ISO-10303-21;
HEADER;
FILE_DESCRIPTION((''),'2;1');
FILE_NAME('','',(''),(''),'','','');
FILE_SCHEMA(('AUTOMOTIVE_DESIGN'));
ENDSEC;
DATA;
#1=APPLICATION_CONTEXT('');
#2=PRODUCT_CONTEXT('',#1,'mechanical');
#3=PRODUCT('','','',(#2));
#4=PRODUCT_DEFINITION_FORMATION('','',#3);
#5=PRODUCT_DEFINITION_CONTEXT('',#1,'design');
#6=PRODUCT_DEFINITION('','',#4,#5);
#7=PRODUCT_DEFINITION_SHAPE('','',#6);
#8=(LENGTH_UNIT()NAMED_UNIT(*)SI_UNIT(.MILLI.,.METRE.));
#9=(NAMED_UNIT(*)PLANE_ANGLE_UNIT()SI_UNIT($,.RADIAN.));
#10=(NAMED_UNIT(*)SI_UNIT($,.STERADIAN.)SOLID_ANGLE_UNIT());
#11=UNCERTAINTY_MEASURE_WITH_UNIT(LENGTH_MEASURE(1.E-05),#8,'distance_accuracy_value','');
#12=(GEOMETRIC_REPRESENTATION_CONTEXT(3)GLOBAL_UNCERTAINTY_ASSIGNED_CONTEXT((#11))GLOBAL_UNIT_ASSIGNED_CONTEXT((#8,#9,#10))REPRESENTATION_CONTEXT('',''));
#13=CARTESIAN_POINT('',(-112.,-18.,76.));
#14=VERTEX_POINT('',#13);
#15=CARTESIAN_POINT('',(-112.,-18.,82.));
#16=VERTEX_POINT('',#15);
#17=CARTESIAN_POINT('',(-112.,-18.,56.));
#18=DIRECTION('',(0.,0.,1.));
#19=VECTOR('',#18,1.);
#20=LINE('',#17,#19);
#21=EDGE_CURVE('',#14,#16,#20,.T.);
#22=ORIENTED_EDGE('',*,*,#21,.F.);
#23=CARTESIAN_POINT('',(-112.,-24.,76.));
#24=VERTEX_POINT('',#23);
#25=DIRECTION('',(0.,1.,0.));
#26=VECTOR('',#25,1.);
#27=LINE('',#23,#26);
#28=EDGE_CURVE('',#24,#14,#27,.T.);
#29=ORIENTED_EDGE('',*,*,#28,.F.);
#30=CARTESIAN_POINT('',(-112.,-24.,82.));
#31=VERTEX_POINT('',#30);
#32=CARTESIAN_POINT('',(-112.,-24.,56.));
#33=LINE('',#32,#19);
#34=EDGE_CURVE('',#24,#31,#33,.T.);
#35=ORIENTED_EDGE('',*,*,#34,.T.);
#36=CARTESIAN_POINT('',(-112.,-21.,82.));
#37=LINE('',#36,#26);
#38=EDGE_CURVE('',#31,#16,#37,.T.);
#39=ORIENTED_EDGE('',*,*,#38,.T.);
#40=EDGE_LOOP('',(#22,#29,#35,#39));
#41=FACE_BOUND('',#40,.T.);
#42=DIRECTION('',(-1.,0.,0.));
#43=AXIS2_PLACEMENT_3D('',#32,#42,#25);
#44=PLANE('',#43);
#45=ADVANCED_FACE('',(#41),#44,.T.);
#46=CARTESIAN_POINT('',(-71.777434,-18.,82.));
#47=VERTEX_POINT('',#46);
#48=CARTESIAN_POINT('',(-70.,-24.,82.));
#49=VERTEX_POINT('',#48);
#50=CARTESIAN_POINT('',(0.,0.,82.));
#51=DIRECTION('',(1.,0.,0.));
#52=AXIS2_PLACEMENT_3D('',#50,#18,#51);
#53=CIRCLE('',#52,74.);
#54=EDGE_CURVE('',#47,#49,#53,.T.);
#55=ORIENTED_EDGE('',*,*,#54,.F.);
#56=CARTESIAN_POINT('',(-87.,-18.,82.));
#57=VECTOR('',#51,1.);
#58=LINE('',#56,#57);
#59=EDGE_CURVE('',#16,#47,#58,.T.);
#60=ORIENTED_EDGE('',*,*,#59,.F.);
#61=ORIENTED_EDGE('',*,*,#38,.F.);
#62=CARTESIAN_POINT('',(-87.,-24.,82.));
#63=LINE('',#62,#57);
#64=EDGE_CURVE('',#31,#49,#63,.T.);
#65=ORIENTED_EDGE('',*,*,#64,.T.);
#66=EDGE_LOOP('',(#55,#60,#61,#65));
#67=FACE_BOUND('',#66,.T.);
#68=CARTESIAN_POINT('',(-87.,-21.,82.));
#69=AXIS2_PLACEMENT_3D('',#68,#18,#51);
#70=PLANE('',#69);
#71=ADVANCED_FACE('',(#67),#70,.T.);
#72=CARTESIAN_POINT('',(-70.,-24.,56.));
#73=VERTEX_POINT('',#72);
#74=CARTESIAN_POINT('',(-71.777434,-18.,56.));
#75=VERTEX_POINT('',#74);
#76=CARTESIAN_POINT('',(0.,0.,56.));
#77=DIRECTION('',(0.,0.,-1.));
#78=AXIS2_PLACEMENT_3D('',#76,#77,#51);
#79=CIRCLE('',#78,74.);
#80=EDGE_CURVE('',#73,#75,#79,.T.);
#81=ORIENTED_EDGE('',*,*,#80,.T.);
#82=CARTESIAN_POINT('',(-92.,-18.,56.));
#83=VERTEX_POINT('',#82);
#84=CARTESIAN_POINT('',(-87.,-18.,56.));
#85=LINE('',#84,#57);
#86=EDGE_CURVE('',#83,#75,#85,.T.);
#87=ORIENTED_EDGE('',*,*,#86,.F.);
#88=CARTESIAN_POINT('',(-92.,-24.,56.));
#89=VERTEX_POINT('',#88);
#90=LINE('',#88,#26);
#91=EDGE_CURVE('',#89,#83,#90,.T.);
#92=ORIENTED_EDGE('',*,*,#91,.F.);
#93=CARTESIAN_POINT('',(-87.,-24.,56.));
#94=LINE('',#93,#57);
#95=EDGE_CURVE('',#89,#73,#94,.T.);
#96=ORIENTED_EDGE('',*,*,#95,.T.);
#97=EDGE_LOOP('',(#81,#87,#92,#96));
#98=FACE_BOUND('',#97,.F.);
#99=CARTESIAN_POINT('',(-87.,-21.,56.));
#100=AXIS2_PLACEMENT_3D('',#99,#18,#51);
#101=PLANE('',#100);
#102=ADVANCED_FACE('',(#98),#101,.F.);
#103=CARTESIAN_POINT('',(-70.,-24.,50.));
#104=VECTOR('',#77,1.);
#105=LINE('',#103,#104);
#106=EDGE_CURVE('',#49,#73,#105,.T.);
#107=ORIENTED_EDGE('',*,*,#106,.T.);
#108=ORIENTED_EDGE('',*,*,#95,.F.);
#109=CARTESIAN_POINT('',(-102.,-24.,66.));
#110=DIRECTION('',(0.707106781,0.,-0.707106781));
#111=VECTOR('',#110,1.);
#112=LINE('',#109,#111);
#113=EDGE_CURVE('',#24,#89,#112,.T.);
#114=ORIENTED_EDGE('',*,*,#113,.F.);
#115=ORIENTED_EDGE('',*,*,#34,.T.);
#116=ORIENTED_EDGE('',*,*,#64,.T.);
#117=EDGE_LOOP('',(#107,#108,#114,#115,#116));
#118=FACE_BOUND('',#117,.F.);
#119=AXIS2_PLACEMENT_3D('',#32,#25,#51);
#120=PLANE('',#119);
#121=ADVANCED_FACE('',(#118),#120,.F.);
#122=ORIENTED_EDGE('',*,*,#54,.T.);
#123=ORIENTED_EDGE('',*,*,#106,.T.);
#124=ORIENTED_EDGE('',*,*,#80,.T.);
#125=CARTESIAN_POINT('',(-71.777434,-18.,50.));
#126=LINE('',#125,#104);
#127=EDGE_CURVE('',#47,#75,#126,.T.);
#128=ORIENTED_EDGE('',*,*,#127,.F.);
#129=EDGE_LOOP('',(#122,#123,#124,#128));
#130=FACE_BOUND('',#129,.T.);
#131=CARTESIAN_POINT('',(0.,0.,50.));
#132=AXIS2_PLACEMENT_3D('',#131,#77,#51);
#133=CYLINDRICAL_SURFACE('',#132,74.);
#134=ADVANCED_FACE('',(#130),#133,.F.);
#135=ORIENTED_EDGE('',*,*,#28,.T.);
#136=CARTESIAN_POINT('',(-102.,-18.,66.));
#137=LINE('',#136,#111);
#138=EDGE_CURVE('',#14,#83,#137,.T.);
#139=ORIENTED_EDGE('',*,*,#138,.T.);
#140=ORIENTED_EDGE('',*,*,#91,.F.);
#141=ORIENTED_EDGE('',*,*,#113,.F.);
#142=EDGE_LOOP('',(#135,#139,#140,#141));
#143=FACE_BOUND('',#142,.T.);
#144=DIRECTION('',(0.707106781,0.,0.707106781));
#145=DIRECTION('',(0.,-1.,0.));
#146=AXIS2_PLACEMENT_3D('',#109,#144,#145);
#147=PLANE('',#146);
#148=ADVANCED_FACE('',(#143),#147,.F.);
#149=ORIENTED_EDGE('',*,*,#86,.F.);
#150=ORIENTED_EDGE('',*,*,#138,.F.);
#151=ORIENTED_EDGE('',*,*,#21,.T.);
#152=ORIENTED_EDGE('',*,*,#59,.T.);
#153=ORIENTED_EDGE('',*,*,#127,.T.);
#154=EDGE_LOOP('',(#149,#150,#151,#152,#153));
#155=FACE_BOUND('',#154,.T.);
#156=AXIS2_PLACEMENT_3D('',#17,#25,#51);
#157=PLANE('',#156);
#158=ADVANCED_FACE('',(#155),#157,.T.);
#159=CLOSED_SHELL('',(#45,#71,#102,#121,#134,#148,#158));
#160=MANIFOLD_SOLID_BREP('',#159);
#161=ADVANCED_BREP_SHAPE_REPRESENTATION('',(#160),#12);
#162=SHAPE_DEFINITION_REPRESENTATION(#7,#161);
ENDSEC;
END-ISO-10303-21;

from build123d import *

# Parameters (mm, degrees)
CYLINDER906_R     = 74
CYLINDER906_DEPTH = 32
BOX432_W          = 50
BOX432_H          = 6
BOX432_DEPTH      = 26
CHAMFER003_SIZE   = 20


with BuildPart() as v_lec906:
    # Cylinder906 → Cylinder906 (new body)
    with BuildSketch(Plane.XY.offset(50)):
        Circle(CYLINDER906_R)
    extrude(amount=CYLINDER906_DEPTH)


with BuildPart() as chamfer003:
    # Box432 → Box432 (new body)
    with BuildSketch(Plane(origin=(-112, -24, 56), x_dir=(1, 0, 0), z_dir=(0, 0, 1))):
        with Locations((25, 3)):
            Rectangle(BOX432_W, BOX432_H)
    extrude(amount=BOX432_DEPTH)

    # Cut406: cut Válec906
    add(v_lec906.part, mode=Mode.SUBTRACT)

    # Chamfer003
    chamfer003_edges = [chamfer003.edges().sort_by_distance(p)[0] for p in [
        (-112, -21, 56),
    ]]
    chamfer(chamfer003_edges, length=CHAMFER003_SIZE)


solid = chamfer003.part
